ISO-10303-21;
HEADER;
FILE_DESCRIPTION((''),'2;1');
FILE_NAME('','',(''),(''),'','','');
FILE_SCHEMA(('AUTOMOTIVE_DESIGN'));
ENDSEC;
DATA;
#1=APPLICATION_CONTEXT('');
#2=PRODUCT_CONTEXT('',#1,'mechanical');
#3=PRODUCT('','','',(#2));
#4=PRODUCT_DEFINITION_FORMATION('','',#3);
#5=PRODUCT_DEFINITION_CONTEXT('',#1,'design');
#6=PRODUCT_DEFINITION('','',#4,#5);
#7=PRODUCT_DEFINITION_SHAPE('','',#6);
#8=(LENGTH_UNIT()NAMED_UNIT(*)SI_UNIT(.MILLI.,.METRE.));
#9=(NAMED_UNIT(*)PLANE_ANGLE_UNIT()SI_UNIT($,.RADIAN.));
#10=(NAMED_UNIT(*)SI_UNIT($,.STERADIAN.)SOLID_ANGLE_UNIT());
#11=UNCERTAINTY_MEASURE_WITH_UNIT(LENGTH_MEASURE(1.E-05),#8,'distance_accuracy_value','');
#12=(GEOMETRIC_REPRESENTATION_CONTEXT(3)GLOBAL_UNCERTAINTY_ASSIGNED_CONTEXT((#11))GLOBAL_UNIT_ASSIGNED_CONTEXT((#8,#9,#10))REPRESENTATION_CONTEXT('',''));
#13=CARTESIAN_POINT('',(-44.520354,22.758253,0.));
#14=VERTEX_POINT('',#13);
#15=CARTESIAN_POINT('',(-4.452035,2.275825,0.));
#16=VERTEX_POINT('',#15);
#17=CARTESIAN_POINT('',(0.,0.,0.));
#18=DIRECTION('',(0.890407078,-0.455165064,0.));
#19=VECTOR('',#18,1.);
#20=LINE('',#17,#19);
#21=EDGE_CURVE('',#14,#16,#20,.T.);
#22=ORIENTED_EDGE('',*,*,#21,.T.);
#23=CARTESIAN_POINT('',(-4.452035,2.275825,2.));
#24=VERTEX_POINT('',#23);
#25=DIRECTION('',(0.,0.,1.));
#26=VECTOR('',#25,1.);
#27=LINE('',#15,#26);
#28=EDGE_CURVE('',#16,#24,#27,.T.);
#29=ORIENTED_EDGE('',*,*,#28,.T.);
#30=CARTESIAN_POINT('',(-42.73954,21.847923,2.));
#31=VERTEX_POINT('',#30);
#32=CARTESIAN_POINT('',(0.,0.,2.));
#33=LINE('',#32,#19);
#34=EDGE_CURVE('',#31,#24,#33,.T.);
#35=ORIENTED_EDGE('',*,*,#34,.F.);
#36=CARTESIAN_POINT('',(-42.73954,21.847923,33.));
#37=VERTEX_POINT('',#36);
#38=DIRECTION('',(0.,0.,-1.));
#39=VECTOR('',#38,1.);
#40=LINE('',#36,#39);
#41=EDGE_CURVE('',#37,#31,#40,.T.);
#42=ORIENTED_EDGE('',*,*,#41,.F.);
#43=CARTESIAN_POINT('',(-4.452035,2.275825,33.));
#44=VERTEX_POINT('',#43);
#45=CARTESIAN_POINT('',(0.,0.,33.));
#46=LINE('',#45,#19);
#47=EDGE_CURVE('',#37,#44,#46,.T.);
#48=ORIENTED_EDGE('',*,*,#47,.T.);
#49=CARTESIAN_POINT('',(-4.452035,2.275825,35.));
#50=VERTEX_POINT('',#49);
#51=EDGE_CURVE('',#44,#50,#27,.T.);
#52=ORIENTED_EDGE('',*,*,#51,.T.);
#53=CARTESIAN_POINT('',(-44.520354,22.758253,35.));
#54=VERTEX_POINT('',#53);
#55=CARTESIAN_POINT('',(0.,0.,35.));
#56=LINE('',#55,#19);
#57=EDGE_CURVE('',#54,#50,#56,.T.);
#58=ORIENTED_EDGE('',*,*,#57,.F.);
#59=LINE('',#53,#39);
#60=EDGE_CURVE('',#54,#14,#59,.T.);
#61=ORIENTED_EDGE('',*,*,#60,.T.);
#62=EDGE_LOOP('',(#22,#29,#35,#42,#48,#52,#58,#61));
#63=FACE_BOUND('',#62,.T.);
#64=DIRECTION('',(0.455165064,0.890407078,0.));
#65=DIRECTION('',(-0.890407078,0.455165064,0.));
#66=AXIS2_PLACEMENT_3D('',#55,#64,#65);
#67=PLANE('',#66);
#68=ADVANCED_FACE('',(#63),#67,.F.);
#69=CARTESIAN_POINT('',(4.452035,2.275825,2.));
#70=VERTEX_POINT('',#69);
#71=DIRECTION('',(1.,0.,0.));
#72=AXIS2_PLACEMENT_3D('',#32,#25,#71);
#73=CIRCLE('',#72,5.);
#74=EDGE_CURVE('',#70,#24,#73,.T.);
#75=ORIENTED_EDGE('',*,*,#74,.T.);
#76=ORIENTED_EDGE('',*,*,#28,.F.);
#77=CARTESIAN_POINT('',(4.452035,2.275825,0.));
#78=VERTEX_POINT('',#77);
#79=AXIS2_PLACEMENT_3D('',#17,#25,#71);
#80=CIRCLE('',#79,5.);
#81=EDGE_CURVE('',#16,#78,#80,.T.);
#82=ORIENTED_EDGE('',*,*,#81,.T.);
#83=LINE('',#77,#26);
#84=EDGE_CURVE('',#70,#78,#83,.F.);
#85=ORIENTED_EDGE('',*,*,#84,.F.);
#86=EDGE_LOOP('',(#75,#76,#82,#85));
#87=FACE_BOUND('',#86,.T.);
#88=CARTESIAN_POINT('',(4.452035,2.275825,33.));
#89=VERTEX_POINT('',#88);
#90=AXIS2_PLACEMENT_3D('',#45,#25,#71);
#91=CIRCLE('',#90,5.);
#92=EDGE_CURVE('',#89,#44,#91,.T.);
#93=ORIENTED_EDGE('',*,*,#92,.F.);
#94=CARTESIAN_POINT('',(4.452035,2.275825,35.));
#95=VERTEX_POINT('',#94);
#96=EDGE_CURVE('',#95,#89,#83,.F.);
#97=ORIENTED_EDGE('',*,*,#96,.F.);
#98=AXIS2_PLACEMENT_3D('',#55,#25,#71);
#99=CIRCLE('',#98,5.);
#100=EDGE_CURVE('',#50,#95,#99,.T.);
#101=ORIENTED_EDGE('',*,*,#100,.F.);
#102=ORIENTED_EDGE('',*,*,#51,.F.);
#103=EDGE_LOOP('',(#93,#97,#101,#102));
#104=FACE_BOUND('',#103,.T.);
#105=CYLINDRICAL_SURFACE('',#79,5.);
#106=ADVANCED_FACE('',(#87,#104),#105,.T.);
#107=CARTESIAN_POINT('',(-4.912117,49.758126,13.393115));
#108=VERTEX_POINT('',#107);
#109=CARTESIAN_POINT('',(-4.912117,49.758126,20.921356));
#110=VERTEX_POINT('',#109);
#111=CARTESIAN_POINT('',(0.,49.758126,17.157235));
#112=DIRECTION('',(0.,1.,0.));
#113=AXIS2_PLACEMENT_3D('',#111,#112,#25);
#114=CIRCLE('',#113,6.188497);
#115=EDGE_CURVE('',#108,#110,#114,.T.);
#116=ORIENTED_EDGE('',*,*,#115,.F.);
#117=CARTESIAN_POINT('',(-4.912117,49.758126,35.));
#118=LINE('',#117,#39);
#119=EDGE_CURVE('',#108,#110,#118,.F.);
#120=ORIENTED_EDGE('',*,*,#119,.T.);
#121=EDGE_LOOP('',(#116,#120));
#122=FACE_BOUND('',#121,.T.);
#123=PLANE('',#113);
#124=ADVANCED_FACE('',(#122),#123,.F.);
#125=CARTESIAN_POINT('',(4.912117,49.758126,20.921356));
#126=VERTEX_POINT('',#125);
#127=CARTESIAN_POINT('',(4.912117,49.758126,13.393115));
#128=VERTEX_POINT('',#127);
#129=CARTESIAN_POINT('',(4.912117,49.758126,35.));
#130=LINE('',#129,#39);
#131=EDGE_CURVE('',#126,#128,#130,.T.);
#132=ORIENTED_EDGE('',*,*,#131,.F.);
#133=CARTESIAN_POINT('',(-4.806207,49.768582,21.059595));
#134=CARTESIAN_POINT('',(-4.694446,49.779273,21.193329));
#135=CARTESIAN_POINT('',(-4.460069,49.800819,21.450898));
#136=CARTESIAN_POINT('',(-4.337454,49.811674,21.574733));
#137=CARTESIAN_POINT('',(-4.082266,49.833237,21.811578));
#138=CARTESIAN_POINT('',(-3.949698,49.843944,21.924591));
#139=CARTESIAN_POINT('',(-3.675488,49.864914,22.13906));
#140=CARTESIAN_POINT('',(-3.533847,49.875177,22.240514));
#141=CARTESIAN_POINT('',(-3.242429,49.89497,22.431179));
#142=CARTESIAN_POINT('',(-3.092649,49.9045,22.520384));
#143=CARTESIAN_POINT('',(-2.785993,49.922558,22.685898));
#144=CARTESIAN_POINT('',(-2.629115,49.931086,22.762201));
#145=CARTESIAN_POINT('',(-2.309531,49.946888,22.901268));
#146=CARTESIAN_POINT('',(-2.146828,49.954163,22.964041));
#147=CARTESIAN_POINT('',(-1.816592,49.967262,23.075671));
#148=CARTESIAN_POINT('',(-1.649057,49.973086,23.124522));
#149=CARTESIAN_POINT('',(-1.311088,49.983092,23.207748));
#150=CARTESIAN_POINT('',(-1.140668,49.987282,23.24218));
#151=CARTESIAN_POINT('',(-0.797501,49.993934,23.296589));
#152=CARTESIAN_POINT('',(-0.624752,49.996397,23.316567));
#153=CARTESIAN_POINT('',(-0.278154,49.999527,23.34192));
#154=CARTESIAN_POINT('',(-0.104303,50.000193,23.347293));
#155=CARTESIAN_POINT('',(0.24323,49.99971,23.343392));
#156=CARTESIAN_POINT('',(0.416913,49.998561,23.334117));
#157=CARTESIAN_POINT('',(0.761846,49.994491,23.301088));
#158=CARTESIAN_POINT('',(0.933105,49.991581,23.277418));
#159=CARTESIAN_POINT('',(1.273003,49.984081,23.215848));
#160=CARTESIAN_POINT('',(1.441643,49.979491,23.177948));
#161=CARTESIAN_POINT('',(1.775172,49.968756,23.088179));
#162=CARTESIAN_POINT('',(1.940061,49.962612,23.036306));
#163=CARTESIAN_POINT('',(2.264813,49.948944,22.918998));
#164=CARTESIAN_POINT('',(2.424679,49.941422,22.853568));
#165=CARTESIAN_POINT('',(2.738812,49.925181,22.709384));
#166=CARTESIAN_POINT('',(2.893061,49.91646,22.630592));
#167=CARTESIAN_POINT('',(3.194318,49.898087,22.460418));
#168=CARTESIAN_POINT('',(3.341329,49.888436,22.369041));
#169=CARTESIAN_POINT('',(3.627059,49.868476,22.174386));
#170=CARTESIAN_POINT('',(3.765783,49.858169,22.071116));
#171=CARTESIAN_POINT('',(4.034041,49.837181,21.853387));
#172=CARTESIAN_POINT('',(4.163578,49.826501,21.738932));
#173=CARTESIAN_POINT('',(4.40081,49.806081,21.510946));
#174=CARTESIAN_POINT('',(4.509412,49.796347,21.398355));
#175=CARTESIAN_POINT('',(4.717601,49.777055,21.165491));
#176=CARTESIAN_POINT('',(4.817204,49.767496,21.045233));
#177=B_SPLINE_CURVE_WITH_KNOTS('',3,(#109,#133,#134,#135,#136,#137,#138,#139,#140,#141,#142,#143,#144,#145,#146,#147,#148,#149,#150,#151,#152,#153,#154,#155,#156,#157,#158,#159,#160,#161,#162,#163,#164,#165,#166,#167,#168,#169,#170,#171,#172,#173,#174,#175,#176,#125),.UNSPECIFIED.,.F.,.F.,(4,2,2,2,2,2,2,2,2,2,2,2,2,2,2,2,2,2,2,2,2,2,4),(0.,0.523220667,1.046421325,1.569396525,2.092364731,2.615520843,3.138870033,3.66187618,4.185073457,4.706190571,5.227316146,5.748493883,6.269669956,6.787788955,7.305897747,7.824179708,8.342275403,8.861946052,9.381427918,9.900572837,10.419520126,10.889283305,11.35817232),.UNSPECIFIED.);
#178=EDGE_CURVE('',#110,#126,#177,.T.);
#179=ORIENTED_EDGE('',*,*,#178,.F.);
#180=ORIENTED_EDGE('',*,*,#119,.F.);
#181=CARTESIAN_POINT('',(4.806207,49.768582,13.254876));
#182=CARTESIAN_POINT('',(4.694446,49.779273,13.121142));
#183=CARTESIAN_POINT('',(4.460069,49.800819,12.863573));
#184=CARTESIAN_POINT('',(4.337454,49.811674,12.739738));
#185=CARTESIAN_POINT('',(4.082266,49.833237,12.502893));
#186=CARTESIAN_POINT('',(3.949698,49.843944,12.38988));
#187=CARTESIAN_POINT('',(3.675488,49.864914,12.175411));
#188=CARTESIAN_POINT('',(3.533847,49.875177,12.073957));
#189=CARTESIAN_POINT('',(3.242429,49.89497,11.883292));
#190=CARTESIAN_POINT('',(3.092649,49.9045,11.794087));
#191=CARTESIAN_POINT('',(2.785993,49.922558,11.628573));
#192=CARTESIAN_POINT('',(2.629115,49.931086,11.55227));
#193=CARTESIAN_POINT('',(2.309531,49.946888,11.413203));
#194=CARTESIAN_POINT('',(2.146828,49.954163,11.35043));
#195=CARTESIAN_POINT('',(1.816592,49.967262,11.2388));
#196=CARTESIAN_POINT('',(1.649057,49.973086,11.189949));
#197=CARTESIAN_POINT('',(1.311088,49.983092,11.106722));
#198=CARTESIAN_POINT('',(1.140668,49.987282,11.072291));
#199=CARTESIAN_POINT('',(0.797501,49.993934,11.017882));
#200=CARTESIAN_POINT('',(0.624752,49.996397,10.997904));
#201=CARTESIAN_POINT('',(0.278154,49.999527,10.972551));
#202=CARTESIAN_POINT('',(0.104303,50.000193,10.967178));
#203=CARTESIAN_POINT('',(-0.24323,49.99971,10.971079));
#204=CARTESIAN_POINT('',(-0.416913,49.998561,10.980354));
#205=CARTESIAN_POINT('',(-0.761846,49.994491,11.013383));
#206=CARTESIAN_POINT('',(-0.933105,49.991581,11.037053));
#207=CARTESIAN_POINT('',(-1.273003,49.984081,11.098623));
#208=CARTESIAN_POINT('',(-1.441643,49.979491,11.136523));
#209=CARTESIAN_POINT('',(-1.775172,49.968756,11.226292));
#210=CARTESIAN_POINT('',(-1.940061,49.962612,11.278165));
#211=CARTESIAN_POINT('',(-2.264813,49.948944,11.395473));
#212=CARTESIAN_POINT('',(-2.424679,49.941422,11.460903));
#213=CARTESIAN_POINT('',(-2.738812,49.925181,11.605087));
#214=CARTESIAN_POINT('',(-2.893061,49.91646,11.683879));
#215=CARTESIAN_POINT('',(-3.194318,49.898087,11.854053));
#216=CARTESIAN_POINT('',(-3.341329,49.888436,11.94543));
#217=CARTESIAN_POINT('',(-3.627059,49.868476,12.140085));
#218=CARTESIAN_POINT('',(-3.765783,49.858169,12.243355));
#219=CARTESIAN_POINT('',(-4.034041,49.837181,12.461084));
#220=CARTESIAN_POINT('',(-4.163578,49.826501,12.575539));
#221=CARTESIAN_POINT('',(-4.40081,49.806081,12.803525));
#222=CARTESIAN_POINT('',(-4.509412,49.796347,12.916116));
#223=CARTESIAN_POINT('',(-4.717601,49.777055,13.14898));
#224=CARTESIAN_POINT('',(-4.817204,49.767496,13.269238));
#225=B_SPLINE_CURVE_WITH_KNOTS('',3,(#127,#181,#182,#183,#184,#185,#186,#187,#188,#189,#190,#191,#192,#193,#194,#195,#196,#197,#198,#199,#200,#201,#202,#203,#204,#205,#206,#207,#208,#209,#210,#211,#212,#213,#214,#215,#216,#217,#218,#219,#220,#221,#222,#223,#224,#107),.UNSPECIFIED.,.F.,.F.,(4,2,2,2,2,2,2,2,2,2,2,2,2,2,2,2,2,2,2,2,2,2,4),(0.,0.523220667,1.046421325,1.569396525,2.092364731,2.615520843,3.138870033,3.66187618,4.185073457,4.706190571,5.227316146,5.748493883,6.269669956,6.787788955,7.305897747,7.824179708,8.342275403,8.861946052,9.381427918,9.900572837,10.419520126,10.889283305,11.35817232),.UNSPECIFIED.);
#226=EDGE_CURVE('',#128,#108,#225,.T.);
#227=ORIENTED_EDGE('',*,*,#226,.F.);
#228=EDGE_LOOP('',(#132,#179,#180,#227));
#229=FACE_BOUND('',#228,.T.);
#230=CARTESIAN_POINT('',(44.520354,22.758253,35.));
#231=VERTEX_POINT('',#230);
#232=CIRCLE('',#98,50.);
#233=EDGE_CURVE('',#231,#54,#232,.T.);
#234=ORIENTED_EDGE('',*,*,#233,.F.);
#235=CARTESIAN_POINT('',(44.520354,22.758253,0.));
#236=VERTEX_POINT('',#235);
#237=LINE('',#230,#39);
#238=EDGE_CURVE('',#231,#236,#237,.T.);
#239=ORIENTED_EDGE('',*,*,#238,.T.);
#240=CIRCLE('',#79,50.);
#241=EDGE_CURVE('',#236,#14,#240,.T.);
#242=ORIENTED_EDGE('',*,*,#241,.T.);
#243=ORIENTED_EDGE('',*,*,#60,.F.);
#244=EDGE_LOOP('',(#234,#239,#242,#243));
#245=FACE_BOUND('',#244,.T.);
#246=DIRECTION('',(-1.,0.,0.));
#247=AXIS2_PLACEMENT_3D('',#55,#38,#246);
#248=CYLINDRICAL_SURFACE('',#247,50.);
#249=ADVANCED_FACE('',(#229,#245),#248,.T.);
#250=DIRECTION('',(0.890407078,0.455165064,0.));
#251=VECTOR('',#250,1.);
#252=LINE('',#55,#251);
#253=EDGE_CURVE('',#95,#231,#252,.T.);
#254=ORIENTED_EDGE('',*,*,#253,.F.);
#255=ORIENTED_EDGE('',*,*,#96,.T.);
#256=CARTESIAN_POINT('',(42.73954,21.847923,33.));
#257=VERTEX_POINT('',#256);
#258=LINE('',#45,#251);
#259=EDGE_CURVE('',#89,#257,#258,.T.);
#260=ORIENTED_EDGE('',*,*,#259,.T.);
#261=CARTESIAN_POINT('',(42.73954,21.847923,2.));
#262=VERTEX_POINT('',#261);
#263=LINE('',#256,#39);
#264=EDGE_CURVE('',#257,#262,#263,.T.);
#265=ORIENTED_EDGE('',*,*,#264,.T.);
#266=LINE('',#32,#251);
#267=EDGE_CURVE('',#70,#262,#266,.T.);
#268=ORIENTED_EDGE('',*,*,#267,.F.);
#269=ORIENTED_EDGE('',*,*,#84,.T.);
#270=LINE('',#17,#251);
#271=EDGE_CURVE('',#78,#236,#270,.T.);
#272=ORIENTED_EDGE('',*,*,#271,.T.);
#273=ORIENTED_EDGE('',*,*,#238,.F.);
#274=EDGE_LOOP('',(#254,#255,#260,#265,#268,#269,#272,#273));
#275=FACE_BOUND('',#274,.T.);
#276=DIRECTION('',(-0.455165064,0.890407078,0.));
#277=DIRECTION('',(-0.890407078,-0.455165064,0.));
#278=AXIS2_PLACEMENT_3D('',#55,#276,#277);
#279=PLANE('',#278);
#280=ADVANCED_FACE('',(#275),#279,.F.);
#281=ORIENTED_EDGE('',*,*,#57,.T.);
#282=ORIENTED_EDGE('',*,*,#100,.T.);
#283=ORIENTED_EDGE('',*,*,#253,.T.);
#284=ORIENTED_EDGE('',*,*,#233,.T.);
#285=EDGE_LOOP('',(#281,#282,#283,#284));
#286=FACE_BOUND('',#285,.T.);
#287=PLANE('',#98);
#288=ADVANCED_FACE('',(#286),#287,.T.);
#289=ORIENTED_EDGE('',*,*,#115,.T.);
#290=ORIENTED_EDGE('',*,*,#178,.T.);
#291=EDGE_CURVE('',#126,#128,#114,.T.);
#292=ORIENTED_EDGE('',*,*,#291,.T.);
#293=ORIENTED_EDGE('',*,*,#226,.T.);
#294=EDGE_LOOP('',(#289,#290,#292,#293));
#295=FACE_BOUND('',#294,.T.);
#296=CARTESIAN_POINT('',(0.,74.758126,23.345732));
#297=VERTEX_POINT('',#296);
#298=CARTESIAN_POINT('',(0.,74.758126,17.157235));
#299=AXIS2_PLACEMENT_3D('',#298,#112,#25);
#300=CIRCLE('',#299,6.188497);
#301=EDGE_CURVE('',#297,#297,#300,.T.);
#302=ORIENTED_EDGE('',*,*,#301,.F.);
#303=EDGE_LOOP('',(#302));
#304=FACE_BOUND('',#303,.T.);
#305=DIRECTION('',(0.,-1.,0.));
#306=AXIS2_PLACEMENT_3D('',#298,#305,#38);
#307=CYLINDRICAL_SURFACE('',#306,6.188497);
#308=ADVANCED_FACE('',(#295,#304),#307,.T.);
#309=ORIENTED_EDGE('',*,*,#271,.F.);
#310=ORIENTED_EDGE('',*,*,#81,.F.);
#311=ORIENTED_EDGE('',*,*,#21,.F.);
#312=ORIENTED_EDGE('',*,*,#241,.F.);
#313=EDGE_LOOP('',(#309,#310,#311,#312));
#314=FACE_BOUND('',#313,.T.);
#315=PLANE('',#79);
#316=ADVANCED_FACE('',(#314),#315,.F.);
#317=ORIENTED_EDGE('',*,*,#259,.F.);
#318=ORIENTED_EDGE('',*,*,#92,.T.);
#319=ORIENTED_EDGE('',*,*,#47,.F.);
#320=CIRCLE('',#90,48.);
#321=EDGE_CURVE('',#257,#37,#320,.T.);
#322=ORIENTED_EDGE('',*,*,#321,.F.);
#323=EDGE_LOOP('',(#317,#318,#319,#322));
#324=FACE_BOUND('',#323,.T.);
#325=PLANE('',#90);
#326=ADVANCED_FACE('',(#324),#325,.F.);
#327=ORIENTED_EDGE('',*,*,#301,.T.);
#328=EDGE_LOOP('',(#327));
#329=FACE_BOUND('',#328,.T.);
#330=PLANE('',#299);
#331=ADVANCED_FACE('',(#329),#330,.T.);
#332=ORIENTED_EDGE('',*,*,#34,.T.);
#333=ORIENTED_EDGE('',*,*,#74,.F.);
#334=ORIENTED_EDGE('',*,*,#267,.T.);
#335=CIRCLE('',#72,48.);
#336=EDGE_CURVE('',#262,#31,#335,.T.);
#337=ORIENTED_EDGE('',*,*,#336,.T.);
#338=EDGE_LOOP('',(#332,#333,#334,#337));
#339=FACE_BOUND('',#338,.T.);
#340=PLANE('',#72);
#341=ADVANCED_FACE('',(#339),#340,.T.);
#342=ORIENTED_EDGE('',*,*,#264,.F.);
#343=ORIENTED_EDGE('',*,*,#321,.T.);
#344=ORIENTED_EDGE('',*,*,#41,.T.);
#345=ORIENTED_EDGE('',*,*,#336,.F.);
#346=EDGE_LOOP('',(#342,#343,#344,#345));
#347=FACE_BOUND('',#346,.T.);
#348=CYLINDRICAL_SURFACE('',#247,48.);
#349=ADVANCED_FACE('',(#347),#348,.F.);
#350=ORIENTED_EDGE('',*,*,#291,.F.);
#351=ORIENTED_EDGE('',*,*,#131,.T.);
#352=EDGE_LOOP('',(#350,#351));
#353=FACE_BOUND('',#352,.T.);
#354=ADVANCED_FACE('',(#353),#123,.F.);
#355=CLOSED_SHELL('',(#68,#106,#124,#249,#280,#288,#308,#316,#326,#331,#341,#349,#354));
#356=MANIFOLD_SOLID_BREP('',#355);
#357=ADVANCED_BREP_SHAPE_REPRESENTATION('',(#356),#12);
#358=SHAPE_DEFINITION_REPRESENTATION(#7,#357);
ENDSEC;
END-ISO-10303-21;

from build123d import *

# Parameters (mm, degrees)
BOSS_EXTRUDE1_DEPTH = 35
SHELL1_T            = -2
SKETCH3_R           = 5
BOSS_EXTRUDE2_DEPTH = 35
SKETCH4_R           = 6.188496774
BOSS_EXTRUDE3_DEPTH = 25


with BuildPart() as part:
    # Sketch2 → Boss-Extrude1 (new body)
    with BuildSketch(Plane.XY):
        with BuildLine():
            Line((0, 0), (-44.5203539, 22.758253198))
            ThreePointArc((-44.5203539, 22.758253198), (0, 50), (44.5203539, 22.758253198))
            Line((44.5203539, 22.758253198), (0, 0))
        make_face()
    extrude(amount=BOSS_EXTRUDE1_DEPTH)

    # Shell1
    shell1_openings = [part.faces().sort_by_distance(p)[0] for p in [
        (-22.26017695, 11.379126599, 17.5),
        (22.26017695, 11.379126599, 17.5),
    ]]
    offset(amount=SHELL1_T, openings=shell1_openings, kind=Kind.INTERSECTION)

    # Sketch3 → Boss-Extrude2 (add)
    with BuildSketch(Plane.XY.offset(35)):
        with Locations(Location((0, 0, 0), (0, 0, 27.075555237))):
            Circle(SKETCH3_R)
    extrude(amount=-BOSS_EXTRUDE2_DEPTH)

    # Sketch4 → Boss-Extrude3 (add)
    with BuildSketch(Plane(origin=(0, 49.758126055, 0), x_dir=(1, 0, 0), z_dir=(0, 1, 0))):
        with Locations(Location((0, -17.15723549, 0), (0, 0, 142.53731078))):
            Circle(SKETCH4_R)
    extrude(amount=BOSS_EXTRUDE3_DEPTH)


solid = part.part
